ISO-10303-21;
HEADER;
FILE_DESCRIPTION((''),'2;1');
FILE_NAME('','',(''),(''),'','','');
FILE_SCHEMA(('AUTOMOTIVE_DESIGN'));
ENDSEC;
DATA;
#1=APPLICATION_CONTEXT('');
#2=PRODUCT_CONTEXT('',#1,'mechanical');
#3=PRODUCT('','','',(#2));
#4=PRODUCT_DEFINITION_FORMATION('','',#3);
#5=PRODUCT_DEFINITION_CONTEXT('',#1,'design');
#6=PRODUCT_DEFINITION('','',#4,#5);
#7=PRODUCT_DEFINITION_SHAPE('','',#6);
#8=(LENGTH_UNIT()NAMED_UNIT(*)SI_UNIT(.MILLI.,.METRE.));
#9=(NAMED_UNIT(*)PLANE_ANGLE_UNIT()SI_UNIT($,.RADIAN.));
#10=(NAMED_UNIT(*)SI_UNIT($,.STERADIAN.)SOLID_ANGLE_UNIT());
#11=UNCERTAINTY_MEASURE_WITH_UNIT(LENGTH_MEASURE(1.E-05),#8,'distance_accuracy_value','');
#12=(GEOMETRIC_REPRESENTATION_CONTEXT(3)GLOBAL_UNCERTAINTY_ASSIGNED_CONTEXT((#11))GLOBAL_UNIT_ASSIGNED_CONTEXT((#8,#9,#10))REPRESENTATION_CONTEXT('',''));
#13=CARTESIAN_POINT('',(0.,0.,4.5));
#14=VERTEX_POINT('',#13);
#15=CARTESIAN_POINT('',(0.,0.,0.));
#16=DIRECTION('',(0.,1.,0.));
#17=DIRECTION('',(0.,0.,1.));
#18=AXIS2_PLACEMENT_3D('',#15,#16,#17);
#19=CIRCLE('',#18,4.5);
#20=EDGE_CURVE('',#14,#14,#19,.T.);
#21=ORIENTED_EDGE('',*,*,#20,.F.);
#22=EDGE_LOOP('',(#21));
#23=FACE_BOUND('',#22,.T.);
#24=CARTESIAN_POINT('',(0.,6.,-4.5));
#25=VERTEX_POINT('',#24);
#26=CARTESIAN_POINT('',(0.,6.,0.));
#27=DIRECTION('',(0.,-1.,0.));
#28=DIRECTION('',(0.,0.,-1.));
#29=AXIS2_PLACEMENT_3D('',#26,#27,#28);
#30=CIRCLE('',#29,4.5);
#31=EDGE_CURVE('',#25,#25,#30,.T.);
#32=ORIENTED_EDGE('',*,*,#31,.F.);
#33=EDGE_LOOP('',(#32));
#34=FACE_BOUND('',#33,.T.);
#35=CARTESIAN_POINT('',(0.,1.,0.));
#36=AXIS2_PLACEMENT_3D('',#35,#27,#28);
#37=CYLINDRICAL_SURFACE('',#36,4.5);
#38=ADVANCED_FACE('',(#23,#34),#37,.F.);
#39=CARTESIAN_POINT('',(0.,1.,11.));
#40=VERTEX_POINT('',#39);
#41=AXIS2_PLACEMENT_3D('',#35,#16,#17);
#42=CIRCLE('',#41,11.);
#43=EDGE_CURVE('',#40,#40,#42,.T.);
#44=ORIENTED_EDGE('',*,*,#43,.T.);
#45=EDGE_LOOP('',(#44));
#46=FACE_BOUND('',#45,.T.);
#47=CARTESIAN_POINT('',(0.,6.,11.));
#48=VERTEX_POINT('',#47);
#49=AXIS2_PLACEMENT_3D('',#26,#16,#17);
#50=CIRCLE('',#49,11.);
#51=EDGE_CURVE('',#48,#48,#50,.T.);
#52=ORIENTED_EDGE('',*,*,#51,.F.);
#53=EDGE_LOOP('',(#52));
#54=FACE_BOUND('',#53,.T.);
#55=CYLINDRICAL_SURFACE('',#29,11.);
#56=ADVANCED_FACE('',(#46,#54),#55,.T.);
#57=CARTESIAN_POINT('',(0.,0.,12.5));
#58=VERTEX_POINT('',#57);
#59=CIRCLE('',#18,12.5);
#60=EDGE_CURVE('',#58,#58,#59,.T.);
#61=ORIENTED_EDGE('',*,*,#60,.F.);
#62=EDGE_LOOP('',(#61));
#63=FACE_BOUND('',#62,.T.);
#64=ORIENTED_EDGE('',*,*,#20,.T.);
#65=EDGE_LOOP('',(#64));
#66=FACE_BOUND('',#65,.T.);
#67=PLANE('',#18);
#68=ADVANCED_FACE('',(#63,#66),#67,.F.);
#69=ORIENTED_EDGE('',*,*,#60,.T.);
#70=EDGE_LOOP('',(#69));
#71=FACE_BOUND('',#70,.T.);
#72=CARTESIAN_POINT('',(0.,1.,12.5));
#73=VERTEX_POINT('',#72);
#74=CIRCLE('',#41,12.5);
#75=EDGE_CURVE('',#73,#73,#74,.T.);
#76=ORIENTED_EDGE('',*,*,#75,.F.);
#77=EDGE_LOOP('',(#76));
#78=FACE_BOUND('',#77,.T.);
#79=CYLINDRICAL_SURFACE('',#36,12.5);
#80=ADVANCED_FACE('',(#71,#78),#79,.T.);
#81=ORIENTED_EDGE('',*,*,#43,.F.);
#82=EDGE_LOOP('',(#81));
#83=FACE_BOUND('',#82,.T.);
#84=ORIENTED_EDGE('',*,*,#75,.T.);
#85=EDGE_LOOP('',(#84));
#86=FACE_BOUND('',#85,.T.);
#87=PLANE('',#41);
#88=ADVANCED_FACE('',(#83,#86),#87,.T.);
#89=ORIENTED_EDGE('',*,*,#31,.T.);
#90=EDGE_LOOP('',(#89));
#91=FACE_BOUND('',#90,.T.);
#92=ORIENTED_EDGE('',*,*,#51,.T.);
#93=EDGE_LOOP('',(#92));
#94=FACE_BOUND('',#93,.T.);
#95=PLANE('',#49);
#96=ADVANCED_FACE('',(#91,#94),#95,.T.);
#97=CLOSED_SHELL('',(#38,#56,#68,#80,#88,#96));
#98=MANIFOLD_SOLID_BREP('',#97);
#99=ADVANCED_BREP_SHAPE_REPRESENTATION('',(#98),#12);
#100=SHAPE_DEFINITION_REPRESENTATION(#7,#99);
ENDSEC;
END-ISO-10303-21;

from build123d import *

# Parameters (mm, degrees)
SKETCH1_R               = 12.5
SKETCH1_R_2             = 4.5
BOSS_EXTRUDE1_DEPTH     = 1
SKETCH2_R               = 11
BOSS_EXTRUDE2_DEPTH     = 5
CUT_EXTRUDE1_DEPTH      = 19.371173071
CUT_EXTRUDE1_DEPTH_BACK = 19.371173071
SKETCH3_R               = 4.5


with BuildPart() as part:
    # Sketch1 → Boss-Extrude1 (new body)
    with BuildSketch(Plane(origin=(0, 0, 0), x_dir=(1, 0, 0), z_dir=(0, 1, 0))):
        with Locations(Location((0, 0, 0), (0, 0, 270))):
            Circle(SKETCH1_R)
        with Locations(Location((0, 0, 0), (0, 0, 270))):
            Circle(SKETCH1_R_2, mode=Mode.SUBTRACT)
    extrude(amount=BOSS_EXTRUDE1_DEPTH)

    # Sketch2 → Boss-Extrude2 (add)
    with BuildSketch(Plane(origin=(0, 1, 0), x_dir=(1, 0, 0), z_dir=(0, 1, 0))):
        with Locations(Location((0, 0, 0), (0, 0, 270))):
            Circle(SKETCH2_R)
    extrude(amount=BOSS_EXTRUDE2_DEPTH)

    # Sketch3 → Cut-Extrude1 (cut, two sides: drawn at the far end of the back side and taken through both)
    with BuildSketch(Plane.XZ.offset(-1).offset(-CUT_EXTRUDE1_DEPTH_BACK)):
        with Locations(Location((0, 0, 0), (0, 0, 270))):
            Circle(SKETCH3_R)
    extrude(amount=CUT_EXTRUDE1_DEPTH + CUT_EXTRUDE1_DEPTH_BACK, mode=Mode.SUBTRACT)


solid = part.part
